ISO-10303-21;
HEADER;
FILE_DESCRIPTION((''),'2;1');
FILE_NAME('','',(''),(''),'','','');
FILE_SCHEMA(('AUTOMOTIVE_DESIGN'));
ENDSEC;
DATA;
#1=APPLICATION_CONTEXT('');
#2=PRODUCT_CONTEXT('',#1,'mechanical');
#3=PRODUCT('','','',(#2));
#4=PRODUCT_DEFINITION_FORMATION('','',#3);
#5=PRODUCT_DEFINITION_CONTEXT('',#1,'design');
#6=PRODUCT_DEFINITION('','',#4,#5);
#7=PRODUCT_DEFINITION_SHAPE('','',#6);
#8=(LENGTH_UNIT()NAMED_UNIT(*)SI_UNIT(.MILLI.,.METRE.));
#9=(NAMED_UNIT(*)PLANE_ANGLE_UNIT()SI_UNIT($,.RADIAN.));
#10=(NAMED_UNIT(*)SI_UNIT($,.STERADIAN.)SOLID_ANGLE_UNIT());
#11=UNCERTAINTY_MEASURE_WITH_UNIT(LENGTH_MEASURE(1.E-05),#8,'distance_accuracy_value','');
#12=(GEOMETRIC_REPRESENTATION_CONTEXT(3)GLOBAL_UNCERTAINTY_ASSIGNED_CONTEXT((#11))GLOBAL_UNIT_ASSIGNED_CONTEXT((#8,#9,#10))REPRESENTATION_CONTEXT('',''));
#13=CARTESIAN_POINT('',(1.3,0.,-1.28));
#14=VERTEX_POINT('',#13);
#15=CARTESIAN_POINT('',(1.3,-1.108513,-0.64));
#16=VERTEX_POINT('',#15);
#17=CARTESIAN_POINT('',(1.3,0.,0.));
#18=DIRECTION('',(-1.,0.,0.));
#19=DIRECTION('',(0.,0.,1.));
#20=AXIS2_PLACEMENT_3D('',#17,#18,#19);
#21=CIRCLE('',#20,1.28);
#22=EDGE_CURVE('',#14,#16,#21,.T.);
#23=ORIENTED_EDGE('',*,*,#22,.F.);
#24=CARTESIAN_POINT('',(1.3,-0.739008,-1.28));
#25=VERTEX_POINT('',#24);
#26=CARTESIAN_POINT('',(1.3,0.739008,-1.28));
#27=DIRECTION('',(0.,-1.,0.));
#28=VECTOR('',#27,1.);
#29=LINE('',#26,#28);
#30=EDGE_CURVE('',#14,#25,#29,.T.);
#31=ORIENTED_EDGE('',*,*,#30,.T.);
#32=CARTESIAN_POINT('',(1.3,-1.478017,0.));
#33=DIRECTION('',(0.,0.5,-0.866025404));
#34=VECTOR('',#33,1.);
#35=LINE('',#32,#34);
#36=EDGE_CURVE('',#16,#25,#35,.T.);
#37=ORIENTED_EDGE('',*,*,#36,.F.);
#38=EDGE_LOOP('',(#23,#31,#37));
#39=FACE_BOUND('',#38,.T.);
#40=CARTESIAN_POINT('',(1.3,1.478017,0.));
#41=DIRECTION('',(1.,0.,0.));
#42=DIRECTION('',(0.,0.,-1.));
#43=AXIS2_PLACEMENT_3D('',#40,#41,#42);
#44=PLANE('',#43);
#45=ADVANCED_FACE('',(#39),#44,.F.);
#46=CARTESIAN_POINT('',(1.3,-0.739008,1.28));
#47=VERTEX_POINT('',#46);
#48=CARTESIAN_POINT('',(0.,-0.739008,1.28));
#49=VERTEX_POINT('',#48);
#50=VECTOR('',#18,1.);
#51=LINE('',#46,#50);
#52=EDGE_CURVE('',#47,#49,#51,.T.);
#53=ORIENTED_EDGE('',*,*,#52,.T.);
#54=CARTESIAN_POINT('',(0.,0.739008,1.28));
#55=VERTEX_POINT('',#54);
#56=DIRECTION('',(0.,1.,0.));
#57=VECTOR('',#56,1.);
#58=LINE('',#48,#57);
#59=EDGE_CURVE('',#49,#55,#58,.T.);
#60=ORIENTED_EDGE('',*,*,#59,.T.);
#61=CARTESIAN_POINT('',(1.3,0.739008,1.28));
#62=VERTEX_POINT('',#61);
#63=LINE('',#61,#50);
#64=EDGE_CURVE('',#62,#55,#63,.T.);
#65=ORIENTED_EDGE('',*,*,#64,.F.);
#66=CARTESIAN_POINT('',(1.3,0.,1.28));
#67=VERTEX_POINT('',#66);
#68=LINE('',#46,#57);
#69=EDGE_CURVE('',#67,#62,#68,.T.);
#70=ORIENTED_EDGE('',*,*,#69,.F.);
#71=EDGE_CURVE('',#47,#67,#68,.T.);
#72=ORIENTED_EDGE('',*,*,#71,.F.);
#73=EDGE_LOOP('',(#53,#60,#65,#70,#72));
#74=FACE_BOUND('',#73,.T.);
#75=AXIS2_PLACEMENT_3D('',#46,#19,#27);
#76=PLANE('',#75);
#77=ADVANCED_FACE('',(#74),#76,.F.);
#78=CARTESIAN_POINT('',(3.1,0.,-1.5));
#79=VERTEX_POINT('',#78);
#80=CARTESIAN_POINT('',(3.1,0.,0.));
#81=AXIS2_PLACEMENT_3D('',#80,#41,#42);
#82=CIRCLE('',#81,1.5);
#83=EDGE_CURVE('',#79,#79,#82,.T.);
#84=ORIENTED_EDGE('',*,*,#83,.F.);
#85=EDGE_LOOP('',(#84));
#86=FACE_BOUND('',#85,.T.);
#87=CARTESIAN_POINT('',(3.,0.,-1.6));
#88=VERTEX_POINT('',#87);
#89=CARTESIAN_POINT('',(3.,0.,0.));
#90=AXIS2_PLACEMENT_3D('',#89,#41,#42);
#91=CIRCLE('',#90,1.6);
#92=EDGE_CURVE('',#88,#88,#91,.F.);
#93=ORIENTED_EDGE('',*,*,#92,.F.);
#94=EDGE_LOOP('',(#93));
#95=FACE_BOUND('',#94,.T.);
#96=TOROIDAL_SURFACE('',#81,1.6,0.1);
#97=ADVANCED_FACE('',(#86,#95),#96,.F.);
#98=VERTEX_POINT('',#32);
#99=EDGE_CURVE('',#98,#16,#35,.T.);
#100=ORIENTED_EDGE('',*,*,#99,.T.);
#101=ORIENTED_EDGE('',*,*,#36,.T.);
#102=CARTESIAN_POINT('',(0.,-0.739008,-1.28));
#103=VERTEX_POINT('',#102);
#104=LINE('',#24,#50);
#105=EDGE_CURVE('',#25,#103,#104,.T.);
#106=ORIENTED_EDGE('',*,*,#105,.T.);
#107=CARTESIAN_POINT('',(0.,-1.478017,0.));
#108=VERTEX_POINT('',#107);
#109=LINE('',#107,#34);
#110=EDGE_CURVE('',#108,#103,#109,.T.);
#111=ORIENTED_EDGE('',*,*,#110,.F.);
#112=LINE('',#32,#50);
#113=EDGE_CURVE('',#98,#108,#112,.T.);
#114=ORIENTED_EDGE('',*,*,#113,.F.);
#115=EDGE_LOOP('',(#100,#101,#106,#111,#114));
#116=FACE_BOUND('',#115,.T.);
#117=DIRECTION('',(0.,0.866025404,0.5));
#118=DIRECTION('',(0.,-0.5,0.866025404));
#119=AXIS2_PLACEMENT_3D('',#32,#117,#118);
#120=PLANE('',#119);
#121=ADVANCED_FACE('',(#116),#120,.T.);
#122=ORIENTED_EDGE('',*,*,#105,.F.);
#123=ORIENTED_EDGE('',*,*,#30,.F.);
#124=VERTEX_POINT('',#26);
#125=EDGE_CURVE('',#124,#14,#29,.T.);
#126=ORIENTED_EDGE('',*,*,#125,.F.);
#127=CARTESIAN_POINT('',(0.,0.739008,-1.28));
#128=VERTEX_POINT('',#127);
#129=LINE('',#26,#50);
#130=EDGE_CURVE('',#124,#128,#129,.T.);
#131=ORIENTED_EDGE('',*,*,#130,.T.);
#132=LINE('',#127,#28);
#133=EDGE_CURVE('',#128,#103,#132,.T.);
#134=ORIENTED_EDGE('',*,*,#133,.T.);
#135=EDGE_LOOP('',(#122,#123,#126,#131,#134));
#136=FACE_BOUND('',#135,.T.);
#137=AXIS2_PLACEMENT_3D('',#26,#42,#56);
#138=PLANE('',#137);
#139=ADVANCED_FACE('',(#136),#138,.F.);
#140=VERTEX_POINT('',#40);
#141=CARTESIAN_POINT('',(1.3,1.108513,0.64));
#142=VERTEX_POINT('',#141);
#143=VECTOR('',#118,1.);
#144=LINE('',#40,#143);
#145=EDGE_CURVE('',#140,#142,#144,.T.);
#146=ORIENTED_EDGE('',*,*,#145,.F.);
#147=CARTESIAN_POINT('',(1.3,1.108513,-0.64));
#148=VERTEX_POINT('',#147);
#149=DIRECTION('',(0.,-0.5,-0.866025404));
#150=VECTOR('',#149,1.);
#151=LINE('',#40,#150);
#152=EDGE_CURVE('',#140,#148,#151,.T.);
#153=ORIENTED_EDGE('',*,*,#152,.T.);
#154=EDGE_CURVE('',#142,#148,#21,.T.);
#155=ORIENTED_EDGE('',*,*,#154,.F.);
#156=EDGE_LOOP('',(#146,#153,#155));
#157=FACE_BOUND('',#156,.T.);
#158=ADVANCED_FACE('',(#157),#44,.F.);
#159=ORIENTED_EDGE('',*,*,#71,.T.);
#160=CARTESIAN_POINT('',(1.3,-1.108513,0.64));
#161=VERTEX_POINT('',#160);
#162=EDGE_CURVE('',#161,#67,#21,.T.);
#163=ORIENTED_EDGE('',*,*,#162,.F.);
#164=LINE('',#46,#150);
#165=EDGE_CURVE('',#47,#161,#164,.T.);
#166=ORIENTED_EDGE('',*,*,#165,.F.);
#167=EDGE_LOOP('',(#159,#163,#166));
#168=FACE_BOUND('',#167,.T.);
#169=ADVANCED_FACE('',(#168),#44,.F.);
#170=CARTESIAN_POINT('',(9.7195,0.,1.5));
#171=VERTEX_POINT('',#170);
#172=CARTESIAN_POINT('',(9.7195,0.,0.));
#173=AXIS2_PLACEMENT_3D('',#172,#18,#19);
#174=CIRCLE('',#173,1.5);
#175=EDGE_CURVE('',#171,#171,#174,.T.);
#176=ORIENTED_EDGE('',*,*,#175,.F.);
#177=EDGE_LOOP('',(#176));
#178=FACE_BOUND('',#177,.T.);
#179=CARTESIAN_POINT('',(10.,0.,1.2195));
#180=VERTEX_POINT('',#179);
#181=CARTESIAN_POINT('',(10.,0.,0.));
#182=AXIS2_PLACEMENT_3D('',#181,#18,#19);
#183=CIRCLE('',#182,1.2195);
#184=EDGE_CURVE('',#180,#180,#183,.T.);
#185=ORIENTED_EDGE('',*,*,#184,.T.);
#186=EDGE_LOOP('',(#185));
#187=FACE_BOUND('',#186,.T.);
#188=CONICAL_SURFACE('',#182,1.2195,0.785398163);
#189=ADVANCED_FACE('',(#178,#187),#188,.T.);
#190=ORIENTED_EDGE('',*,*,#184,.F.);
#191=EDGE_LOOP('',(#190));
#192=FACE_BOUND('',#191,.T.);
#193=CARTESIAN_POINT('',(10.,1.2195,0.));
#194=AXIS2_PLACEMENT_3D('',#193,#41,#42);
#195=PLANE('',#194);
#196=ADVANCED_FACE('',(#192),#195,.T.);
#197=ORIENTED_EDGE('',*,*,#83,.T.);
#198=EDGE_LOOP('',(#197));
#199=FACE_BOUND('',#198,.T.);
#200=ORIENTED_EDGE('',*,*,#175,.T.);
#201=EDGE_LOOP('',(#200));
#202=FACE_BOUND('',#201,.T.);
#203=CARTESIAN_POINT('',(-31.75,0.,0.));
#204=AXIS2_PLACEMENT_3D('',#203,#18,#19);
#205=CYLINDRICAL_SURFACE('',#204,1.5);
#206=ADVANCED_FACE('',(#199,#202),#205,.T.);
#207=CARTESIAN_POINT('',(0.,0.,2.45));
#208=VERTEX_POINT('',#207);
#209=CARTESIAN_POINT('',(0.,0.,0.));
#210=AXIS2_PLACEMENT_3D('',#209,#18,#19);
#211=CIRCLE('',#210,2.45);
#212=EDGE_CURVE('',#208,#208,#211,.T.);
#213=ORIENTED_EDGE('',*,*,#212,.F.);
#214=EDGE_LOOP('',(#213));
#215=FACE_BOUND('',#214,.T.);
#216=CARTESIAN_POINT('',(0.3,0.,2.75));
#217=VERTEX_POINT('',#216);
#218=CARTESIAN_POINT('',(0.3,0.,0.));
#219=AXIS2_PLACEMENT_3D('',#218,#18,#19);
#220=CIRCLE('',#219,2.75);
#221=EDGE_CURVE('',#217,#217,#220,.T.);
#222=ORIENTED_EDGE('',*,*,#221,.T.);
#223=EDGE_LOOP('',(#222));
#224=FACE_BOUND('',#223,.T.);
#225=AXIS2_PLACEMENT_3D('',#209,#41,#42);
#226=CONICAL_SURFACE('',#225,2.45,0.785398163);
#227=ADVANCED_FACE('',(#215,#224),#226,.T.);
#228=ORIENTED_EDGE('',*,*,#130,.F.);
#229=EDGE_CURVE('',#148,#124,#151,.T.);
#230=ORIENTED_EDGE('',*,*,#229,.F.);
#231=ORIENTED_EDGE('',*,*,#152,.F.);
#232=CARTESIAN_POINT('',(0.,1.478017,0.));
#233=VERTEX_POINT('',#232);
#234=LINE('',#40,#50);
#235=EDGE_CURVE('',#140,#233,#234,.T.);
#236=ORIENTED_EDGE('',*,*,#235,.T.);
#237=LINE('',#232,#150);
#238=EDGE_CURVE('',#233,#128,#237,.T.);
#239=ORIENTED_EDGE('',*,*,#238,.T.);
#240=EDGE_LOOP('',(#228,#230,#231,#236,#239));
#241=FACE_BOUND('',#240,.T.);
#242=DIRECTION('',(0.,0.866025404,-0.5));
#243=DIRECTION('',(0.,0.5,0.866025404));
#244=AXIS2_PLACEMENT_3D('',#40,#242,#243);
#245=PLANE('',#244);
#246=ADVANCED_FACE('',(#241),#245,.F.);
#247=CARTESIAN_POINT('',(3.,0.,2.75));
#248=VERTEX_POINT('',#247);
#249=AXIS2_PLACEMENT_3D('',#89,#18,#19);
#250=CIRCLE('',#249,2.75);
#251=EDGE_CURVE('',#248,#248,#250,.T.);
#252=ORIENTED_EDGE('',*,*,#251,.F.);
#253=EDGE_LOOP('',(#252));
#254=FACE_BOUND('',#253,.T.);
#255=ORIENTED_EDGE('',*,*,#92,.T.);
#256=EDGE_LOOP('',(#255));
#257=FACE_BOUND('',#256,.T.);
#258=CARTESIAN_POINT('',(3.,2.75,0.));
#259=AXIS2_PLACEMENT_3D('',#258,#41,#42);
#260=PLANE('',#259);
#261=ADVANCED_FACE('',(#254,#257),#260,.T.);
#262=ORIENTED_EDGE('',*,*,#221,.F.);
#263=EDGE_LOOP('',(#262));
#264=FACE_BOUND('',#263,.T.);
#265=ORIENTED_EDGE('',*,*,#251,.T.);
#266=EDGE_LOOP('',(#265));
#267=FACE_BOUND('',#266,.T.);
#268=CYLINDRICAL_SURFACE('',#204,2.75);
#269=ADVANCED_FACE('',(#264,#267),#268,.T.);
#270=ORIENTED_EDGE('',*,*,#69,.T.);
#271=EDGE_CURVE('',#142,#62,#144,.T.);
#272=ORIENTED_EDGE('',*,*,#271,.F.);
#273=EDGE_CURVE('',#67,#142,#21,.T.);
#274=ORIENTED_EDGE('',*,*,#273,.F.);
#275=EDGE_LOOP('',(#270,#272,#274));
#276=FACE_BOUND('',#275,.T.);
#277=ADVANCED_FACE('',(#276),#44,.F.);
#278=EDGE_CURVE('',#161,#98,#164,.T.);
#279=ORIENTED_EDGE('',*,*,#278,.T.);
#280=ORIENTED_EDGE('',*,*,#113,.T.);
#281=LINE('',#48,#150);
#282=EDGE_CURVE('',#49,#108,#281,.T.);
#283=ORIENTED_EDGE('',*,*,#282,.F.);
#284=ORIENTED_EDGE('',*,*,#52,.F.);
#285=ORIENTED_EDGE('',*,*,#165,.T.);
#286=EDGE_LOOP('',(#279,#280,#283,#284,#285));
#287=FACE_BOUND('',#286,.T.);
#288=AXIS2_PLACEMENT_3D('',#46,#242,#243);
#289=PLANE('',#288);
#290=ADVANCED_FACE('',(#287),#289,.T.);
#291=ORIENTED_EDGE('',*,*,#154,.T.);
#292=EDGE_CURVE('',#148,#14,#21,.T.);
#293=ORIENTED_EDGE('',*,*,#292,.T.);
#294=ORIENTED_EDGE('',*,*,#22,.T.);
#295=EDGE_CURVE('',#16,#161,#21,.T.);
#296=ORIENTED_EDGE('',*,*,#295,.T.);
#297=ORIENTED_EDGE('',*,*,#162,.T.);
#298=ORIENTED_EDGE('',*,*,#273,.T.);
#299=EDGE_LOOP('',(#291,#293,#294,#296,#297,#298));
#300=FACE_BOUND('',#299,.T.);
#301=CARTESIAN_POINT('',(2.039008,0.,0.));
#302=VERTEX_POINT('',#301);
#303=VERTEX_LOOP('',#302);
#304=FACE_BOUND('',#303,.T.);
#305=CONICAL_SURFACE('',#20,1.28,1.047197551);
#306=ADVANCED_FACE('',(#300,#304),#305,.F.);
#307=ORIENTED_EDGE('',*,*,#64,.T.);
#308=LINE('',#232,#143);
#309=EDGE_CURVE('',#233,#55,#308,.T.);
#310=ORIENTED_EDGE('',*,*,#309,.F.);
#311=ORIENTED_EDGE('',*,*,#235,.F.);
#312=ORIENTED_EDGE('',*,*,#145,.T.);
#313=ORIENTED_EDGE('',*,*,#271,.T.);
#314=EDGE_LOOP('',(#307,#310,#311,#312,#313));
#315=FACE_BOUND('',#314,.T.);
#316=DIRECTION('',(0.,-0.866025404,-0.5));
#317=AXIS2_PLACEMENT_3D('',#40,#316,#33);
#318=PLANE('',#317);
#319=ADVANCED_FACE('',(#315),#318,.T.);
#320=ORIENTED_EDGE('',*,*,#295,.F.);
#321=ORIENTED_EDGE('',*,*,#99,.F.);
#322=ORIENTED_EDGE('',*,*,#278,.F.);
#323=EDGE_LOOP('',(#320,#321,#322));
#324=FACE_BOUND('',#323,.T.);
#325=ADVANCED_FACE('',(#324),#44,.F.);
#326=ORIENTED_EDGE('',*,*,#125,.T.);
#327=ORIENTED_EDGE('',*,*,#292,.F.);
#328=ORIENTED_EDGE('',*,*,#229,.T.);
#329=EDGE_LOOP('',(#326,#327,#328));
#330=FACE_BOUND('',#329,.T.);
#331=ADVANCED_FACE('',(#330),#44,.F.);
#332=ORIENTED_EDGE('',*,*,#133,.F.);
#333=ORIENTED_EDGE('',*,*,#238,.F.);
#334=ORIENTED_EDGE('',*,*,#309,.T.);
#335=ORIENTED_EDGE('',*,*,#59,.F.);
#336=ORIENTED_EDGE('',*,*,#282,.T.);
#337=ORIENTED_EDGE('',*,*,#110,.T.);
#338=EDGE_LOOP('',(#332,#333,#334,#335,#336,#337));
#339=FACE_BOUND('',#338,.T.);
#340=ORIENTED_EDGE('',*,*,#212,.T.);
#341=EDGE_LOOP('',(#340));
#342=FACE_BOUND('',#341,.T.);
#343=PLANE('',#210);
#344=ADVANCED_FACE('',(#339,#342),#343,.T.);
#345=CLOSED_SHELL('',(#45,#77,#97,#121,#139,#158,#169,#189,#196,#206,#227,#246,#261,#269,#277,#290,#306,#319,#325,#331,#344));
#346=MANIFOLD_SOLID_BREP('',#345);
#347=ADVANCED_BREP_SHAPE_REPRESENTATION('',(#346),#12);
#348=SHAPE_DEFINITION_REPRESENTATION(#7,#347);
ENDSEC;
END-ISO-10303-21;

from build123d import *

# Parameters (mm, degrees)
FILLET1_R   = 0.1
HEX_2_DEPTH = 1.3


with BuildPart() as part:
    # BodySke → Base-Revolve (revolve)
    with BuildSketch(Plane.XY):
        Polygon((0, 0), (0, 2.45), (0.3, 2.75), (3, 2.75), (3, 1.5), (9.7195, 1.5), (10, 1.2195), (10, 0), align=None)
    revolve(axis=Axis((-31.75, 0, 0), (1, 0, 0)))

    # Fillet1
    fillet1_edges = [part.edges().sort_by_distance(p)[0] for p in [
        (3, -1.5, 0),
    ]]
    fillet(fillet1_edges, radius=FILLET1_R)

    # Sketch2 → Hex-PreBroach (revolve, cut)
    with BuildSketch(Plane.XY):
        Polygon((0, 1.28), (1.3, 1.28), (2.039008345, 0), (0, 0), align=None)
    revolve(axis=Axis((0, 0, 0), (1, 0, 0)), mode=Mode.SUBTRACT)

    # Sketch3 → Hex 2 (cut)
    with BuildSketch(Plane(origin=(0, 0, 0), x_dir=(0, 0.5, 0.866025404), z_dir=(-1, 0, 0))):
        Polygon((0.739008345, 1.28), (-0.739008345, 1.28), (-1.478016689, 0), (-0.739008345, -1.28), (0.739008345, -1.28), (1.478016689, 0), align=None)
    extrude(amount=-HEX_2_DEPTH, mode=Mode.SUBTRACT)


solid = part.part
